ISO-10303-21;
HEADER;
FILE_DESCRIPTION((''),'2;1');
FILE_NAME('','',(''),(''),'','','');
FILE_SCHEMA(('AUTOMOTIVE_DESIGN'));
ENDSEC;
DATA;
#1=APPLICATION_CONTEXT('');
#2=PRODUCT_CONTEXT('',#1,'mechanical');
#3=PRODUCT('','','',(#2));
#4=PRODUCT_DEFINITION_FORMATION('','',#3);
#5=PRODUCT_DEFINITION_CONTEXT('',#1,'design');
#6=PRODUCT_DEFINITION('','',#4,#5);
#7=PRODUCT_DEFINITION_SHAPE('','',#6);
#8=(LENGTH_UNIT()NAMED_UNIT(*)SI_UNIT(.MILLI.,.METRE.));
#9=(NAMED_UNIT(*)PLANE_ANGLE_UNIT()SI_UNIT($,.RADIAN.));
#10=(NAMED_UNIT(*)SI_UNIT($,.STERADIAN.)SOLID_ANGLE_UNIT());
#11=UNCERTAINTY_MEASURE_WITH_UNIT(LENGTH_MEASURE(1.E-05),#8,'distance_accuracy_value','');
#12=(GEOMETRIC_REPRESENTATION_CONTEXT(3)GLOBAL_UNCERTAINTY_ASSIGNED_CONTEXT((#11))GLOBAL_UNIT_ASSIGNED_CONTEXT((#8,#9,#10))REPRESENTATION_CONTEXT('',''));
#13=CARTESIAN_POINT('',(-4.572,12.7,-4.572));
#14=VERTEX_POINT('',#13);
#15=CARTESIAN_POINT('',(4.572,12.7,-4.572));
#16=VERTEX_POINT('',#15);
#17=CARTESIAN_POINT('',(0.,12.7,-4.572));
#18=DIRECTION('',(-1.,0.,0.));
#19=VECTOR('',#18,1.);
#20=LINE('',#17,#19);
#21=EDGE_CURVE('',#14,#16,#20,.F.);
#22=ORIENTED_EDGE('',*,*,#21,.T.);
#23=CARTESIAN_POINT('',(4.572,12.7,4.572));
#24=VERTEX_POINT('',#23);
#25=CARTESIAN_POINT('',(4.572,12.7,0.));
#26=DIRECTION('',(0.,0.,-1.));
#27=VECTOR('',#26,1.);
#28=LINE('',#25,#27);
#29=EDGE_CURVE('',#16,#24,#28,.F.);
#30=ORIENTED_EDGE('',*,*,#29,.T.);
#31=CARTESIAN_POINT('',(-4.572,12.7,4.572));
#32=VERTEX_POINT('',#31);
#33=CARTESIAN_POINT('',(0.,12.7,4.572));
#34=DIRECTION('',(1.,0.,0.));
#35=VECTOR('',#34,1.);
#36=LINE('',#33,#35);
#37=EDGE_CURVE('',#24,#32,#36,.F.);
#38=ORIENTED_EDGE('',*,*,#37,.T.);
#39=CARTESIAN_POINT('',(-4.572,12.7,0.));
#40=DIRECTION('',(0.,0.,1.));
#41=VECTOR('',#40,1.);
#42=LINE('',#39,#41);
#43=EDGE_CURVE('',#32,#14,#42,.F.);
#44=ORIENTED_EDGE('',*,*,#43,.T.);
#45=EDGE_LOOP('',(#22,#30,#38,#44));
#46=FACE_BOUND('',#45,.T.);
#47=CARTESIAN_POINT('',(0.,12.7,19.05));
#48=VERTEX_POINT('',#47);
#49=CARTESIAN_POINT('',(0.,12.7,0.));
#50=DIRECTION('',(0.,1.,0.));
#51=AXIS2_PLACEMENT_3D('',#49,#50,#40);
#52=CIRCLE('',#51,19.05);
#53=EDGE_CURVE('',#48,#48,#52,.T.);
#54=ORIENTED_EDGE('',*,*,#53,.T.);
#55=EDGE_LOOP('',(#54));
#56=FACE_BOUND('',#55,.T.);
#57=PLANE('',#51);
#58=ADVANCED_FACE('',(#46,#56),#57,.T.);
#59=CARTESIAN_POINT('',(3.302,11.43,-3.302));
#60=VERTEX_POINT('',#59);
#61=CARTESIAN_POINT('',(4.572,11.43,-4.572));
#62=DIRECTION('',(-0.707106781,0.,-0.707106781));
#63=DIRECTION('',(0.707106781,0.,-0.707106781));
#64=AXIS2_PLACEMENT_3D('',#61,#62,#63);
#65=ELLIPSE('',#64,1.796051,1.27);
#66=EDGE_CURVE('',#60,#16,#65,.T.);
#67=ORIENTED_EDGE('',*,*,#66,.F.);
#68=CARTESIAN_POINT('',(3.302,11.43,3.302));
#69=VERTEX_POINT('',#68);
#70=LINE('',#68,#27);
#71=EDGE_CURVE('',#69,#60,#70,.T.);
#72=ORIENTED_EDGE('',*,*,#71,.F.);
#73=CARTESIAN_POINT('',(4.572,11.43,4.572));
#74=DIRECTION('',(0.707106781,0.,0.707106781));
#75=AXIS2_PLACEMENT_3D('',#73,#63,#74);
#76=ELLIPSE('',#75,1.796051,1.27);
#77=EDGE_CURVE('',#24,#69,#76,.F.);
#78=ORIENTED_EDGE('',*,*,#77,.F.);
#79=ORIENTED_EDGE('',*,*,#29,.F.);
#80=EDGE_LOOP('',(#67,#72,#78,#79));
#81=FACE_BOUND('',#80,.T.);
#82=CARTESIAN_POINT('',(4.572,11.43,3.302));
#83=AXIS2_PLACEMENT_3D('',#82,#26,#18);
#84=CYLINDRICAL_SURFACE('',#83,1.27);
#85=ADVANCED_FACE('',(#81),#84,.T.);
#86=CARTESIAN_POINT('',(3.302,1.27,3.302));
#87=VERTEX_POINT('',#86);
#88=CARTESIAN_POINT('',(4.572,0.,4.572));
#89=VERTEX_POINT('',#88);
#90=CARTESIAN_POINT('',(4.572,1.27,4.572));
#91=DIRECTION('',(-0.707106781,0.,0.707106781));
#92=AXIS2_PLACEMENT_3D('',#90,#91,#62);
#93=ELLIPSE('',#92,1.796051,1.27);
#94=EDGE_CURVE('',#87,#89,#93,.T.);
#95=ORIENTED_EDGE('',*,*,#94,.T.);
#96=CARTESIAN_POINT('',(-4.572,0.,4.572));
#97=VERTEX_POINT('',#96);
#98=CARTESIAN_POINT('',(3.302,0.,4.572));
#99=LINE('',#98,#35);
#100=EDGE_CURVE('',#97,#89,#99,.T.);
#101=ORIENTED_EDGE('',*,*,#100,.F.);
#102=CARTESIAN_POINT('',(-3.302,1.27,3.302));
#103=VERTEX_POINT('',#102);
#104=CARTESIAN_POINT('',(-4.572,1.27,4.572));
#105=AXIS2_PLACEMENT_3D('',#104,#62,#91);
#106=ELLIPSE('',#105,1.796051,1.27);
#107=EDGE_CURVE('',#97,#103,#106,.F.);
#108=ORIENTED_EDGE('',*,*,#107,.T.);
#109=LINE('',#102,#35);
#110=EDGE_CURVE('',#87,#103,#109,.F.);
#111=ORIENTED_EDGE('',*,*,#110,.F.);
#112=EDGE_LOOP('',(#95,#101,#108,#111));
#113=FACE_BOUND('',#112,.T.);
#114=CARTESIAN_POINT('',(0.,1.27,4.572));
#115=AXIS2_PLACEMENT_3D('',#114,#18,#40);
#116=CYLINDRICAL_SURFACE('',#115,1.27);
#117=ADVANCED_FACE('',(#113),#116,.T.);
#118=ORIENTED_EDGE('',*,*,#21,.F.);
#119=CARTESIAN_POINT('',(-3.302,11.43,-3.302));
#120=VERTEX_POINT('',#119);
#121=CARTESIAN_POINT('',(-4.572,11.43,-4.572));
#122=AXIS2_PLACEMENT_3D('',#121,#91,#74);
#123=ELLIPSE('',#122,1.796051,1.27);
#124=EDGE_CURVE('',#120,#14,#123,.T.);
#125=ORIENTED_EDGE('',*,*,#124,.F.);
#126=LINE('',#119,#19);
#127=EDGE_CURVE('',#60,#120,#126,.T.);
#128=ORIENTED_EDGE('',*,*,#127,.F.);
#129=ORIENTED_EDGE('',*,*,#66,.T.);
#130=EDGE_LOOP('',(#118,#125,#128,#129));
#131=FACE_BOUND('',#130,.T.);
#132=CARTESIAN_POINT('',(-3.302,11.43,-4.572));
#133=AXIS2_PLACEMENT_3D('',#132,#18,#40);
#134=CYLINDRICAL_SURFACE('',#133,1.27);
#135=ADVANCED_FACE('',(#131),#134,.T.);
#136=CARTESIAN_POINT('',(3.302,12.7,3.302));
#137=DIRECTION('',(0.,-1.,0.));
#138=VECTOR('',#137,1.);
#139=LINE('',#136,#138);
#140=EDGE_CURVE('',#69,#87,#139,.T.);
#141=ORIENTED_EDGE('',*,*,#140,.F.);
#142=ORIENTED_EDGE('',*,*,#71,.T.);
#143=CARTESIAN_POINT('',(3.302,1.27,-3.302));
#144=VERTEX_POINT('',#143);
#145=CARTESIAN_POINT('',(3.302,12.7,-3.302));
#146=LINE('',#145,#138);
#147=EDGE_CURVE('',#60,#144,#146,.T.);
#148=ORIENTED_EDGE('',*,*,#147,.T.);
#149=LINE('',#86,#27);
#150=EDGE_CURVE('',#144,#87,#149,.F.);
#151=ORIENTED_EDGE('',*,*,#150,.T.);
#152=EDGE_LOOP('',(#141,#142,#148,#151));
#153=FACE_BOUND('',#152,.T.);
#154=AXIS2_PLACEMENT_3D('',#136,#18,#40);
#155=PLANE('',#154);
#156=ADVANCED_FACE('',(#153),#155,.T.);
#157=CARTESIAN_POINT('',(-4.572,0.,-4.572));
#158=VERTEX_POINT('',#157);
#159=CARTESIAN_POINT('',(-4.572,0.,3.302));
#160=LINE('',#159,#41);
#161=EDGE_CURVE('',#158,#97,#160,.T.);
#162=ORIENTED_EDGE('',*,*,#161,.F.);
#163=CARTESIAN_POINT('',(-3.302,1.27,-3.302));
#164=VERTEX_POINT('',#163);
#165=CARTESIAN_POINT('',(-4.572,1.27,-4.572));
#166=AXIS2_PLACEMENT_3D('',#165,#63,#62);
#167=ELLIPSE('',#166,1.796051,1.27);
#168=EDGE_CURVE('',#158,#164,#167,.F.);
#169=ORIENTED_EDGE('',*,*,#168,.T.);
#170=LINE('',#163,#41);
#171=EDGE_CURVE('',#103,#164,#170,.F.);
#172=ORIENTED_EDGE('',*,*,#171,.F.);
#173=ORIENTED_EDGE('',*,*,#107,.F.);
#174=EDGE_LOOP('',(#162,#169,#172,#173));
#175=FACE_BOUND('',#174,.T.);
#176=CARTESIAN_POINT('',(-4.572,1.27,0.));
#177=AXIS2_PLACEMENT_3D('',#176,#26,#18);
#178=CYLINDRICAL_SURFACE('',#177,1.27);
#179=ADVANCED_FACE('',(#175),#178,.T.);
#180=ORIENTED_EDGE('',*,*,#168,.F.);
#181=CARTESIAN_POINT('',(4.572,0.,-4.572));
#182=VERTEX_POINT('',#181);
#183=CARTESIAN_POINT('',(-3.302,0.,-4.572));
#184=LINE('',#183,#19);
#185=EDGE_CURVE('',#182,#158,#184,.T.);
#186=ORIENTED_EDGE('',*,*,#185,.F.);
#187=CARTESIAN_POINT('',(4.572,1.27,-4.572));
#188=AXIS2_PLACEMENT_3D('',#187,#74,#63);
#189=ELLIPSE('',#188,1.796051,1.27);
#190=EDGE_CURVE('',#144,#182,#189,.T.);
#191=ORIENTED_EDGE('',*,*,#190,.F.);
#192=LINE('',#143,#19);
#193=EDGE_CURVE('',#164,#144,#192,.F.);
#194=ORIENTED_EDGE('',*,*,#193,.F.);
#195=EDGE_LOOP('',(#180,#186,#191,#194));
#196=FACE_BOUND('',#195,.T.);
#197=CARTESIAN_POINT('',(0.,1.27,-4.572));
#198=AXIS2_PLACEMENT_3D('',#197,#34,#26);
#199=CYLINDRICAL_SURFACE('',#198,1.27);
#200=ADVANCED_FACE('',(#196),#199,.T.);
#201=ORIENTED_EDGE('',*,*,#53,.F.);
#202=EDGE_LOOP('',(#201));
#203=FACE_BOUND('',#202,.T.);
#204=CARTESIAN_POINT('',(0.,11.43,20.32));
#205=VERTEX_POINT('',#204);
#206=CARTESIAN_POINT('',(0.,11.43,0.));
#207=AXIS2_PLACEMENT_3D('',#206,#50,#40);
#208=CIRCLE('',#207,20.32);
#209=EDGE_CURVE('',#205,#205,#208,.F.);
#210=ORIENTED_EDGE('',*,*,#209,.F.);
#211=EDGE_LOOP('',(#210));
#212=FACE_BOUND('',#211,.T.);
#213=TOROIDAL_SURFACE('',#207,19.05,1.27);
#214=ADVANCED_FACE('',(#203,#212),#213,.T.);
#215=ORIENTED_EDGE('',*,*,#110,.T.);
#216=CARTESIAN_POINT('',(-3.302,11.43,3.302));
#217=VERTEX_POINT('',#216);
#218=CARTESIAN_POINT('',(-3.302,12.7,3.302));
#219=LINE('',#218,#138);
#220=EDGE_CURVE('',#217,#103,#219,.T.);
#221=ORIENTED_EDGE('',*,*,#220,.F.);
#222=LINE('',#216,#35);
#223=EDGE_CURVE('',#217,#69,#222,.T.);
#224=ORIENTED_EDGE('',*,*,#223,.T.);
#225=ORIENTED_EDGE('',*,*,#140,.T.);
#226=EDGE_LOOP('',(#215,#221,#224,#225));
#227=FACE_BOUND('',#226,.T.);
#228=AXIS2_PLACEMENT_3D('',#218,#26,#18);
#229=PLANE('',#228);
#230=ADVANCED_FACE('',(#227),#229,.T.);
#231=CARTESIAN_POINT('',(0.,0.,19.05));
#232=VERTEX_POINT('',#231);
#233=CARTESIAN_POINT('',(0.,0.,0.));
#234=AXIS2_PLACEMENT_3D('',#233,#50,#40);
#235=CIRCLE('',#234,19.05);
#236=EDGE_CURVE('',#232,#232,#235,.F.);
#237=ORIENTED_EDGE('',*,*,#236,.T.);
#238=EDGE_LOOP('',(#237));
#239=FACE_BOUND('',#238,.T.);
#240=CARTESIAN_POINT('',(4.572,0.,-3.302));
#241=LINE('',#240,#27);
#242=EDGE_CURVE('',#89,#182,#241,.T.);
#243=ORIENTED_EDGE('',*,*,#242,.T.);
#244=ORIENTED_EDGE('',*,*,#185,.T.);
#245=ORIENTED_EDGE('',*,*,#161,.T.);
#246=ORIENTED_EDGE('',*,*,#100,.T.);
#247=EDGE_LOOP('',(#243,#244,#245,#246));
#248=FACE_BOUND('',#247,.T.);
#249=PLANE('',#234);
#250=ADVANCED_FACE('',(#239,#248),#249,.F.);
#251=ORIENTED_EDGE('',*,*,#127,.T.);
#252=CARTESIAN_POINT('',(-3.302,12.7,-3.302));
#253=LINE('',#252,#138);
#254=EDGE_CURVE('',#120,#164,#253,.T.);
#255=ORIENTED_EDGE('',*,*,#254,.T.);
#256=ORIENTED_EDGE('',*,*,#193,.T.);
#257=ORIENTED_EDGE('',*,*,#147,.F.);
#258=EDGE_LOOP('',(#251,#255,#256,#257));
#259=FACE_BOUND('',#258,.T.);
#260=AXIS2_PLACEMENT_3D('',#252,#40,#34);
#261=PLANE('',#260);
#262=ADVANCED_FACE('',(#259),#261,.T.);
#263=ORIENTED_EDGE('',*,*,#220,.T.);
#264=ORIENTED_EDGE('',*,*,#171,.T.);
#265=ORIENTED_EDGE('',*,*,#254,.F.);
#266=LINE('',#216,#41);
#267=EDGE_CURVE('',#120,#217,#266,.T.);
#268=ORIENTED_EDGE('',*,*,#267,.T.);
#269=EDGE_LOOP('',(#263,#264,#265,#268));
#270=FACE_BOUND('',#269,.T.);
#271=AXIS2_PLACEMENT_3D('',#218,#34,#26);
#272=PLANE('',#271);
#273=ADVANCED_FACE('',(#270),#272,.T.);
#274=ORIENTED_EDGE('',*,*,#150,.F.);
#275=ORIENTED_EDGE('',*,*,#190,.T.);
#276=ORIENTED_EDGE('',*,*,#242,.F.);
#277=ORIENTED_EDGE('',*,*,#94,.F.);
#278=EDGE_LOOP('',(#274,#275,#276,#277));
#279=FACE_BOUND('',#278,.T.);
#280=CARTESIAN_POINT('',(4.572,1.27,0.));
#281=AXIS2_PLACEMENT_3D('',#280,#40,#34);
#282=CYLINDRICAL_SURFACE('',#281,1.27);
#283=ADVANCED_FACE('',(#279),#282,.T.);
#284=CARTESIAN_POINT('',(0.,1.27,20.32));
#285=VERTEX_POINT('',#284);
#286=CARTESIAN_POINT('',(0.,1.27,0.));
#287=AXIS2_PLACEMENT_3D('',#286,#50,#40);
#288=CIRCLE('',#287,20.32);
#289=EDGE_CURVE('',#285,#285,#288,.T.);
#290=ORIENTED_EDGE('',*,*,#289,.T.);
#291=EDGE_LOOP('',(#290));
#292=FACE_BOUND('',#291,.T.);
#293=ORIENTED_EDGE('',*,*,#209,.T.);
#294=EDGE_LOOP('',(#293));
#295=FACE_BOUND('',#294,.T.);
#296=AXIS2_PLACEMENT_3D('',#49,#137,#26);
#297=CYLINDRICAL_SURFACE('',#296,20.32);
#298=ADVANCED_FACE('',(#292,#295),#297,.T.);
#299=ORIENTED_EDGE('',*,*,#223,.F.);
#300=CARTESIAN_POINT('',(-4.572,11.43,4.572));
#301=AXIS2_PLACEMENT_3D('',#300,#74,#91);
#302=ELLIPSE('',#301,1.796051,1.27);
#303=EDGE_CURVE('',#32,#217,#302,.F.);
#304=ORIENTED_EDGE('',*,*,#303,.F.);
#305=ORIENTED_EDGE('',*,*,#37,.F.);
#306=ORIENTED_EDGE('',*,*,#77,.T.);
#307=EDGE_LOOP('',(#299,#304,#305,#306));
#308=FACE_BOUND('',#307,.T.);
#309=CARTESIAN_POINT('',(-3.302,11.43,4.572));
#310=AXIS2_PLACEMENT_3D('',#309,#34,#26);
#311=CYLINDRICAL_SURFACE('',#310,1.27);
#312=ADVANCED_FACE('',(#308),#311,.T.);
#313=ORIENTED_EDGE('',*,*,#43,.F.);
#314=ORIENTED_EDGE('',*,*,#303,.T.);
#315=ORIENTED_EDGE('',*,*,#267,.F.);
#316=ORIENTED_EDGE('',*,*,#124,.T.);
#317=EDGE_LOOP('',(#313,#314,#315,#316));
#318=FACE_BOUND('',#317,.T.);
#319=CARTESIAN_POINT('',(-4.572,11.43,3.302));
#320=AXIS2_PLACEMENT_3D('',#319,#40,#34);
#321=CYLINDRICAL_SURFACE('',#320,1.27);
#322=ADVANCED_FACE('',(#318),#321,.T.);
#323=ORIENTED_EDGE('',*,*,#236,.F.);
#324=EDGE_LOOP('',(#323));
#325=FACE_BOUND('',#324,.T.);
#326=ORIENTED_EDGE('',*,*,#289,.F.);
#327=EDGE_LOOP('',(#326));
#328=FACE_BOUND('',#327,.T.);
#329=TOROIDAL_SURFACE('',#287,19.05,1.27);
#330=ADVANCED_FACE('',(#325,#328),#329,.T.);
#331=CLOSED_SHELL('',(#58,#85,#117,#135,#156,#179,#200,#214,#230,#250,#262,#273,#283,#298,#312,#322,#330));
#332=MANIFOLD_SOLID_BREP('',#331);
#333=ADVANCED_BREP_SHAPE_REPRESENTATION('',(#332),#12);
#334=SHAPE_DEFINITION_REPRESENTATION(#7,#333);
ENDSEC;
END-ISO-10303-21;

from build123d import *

# Parameters (mm, degrees)
SKETCH1_R           = 20.32
SKETCH1_W           = 6.604
SKETCH1_H           = 6.604
BOSS_EXTRUDE1_DEPTH = 12.7
FILLET1_R           = 1.27


with BuildPart() as part:
    # Sketch1 → Boss-Extrude1 (new body)
    with BuildSketch(Plane(origin=(0, 0, 0), x_dir=(1, 0, 0), z_dir=(0, 1, 0))):
        with Locations(Location((0, 0, 0), (0, 0, 270))):
            Circle(SKETCH1_R)
        Rectangle(SKETCH1_W, SKETCH1_H, mode=Mode.SUBTRACT)
    extrude(amount=BOSS_EXTRUDE1_DEPTH)

    # Fillet1
    fillet1_edges = [part.edges().sort_by_distance(p)[0] for p in [
        (-3.302, 12.7, 0),
        (0, 12.7, 3.302),
        (0, 0, -20.32),
        (0, 12.7, -20.32),
        (3.302, 0, 0),
        (0, 0, -3.302),
        (-3.302, 0, 0),
        (0, 0, 3.302),
        (3.302, 12.7, 0),
        (0, 12.7, -3.302),
    ]]
    fillet(fillet1_edges, radius=FILLET1_R)


solid = part.part
